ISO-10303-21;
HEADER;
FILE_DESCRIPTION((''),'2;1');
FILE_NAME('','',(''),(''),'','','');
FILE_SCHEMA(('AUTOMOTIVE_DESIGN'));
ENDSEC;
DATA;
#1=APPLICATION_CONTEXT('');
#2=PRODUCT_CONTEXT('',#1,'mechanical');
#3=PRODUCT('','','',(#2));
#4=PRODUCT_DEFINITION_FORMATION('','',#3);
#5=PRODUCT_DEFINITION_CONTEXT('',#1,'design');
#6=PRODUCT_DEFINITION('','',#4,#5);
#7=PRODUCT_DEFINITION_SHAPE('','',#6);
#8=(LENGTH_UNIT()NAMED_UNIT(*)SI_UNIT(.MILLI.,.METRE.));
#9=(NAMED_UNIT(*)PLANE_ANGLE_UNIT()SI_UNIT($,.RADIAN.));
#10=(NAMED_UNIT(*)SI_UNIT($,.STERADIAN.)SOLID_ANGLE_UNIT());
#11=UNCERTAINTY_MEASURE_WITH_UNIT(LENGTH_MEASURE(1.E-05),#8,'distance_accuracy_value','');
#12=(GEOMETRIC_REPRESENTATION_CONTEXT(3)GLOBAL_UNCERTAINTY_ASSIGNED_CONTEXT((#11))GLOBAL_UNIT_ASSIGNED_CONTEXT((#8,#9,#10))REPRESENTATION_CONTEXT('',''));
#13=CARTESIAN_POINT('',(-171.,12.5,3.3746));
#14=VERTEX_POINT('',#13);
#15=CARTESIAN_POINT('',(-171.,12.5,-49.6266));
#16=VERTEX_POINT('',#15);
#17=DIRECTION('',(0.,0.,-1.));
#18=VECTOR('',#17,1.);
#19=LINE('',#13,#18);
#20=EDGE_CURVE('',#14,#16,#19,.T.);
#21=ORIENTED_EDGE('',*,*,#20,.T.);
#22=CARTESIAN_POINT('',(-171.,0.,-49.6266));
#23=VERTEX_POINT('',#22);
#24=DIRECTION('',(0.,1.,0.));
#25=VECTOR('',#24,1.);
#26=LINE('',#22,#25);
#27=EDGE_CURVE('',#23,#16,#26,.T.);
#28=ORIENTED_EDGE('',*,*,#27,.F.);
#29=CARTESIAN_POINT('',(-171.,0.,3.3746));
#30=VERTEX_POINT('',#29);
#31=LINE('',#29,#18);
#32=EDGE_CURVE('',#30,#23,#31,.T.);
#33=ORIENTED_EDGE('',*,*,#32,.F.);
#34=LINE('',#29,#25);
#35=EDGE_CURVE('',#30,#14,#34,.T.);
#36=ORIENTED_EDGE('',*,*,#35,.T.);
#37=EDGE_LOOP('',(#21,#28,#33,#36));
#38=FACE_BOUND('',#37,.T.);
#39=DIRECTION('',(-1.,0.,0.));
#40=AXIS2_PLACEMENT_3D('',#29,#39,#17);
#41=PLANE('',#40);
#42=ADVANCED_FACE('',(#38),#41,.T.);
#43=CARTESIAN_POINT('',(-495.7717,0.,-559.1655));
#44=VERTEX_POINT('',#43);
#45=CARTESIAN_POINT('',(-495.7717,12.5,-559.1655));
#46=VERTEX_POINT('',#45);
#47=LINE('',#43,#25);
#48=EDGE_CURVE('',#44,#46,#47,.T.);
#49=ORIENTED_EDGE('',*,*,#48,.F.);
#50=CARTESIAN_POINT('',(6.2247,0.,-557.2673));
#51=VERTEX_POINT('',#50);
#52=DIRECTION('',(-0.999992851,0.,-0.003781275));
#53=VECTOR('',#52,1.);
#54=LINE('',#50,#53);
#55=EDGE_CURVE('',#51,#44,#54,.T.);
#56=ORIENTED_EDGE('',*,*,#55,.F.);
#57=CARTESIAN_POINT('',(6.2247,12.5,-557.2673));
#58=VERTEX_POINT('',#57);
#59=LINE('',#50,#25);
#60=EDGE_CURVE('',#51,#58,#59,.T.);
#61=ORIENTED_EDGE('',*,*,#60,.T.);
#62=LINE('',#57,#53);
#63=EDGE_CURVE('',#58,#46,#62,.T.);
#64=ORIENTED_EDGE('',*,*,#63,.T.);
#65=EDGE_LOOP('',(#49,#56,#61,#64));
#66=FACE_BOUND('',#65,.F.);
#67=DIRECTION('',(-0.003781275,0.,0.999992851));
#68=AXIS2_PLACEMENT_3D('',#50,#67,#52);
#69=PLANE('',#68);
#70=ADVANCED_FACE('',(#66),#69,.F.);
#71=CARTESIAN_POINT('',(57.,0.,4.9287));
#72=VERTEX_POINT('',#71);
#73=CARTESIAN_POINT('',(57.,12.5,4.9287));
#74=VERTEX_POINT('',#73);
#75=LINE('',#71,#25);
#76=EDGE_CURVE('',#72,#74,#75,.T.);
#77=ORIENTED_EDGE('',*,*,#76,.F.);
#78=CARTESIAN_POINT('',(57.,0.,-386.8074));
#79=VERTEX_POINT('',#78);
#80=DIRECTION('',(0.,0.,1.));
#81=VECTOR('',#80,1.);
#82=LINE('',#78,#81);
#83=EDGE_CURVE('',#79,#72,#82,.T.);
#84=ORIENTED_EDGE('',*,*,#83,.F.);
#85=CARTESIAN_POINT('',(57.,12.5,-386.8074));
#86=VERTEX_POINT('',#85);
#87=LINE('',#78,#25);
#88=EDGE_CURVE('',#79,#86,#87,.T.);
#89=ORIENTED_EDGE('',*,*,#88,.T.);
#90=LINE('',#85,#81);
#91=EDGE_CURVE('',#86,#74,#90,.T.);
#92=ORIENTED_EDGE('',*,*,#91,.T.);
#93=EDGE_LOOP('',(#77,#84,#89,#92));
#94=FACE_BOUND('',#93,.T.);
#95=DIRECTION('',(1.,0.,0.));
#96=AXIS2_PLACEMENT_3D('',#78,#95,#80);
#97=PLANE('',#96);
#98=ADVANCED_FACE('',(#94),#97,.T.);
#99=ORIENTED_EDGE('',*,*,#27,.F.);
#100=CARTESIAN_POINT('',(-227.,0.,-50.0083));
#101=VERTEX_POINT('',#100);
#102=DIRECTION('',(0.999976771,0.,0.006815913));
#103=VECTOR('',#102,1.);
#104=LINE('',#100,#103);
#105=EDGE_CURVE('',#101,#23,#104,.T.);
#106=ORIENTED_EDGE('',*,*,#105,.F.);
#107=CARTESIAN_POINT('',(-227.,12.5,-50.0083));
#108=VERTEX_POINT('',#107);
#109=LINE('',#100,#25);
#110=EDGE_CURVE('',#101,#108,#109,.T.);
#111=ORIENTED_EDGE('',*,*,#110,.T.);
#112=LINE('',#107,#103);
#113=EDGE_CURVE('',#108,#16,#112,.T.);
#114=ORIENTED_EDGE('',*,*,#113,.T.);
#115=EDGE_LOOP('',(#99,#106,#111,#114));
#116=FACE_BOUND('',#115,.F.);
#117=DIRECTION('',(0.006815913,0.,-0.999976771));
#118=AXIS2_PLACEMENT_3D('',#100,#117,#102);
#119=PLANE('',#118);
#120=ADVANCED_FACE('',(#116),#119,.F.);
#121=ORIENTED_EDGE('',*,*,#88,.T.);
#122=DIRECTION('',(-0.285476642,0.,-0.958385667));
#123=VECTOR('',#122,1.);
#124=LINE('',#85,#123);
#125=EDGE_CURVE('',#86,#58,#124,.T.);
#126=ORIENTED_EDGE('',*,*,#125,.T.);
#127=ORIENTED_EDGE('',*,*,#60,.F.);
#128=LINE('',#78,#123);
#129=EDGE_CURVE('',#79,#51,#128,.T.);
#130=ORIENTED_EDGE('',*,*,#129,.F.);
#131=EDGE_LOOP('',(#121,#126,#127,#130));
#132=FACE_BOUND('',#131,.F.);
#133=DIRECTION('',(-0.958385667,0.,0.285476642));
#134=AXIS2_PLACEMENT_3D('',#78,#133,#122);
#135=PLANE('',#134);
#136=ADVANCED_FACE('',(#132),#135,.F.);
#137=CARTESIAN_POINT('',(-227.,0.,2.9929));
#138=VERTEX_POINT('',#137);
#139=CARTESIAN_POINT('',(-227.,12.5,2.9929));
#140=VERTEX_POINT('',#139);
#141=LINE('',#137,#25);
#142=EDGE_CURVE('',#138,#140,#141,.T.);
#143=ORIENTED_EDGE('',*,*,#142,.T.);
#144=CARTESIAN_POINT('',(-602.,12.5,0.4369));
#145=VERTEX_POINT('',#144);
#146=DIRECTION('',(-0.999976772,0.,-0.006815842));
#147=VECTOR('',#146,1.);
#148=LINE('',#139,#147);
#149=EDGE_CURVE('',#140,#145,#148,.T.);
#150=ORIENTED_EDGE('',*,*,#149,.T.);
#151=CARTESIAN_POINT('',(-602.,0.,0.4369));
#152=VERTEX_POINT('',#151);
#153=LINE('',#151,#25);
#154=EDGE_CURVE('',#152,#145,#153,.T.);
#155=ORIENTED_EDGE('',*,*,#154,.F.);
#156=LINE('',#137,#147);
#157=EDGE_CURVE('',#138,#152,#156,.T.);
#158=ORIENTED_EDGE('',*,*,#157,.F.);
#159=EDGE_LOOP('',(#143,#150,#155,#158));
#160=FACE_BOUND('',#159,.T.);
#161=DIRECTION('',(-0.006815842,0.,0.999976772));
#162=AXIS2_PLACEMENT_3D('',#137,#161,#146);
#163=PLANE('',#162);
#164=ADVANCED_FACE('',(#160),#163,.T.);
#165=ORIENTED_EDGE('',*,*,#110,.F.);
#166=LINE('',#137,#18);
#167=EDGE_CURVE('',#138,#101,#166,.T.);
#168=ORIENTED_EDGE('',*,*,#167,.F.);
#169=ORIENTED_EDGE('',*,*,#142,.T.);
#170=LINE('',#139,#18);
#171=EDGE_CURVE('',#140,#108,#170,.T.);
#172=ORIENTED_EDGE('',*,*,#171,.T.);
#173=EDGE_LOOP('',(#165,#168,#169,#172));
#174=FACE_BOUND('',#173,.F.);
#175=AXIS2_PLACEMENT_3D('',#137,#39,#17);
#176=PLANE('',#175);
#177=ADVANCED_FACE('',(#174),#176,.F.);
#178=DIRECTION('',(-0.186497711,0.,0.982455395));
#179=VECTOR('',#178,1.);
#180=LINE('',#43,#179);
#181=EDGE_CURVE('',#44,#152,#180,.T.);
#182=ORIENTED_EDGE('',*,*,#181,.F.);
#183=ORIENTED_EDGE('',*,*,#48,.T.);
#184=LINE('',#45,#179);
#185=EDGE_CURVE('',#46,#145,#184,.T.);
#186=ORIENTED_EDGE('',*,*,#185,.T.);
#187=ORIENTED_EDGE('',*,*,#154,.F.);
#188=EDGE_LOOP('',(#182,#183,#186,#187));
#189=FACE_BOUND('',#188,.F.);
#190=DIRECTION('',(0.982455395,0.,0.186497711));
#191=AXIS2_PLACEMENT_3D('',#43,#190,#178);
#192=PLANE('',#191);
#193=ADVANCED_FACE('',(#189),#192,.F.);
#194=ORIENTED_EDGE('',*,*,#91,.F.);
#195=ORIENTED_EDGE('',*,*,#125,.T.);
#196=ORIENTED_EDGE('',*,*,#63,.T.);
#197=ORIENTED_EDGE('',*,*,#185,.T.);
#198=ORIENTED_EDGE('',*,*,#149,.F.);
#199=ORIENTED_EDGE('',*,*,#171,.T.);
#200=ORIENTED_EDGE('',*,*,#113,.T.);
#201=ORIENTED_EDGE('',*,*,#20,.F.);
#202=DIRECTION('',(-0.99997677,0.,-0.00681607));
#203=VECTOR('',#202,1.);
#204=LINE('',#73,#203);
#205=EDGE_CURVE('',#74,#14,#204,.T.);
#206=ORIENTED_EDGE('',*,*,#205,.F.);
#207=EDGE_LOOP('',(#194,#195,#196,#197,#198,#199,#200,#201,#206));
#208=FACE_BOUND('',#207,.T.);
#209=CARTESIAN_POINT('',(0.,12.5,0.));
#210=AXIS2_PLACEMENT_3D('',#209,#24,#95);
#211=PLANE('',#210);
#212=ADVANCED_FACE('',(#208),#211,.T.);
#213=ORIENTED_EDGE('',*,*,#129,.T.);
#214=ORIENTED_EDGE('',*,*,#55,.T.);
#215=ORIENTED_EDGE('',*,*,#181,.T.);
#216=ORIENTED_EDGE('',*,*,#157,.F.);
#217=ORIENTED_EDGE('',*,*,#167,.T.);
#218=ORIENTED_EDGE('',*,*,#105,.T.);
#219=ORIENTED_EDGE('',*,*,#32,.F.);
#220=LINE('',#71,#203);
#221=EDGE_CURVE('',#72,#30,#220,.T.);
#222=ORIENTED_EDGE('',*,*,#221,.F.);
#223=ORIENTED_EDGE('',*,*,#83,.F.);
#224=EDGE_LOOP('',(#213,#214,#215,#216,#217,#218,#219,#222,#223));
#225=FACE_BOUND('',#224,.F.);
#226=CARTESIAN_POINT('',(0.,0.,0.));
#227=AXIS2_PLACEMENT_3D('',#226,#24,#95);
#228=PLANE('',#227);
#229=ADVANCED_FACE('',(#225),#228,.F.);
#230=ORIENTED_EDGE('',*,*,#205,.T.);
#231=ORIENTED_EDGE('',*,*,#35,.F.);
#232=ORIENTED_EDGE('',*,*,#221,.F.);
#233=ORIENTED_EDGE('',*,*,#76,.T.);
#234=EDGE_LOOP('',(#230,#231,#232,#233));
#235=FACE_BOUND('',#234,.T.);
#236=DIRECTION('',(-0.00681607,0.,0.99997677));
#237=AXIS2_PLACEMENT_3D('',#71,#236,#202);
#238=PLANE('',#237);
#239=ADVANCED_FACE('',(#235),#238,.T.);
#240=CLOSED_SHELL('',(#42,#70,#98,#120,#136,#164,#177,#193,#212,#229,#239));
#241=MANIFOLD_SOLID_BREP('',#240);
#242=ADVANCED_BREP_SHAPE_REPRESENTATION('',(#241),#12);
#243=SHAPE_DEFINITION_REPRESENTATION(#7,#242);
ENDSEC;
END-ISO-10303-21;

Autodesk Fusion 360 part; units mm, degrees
sketch "Sketch1" plane through (0, 0, 0) normal (0, 1, 0) x (1, 0, 0)
  line L0 (-171, -3.3746) -> (-171, 49.6266)
  line L1 (-227, -2.9929) -> (-227, 50.0083)
  line L2 (-227, 50.0083) -> (-171, 49.6266)
  line L3 (6.2247, 557.2673) -> (-495.7717, 559.1655)
  line L4 (57, 386.8074) -> (57, -4.9287)
  line L5 (57, 386.8074) -> (6.2247, 557.2673)
  line L6 (-495.7717, 559.1655) -> (-602, -0.4369)
  line L7 (57, -4.9287) -> (-171, -3.3746)
  line L8 (-227, -2.9929) -> (-602, -0.4369)
  dimension "d9" = 502
  dimension "d13" = 659
  dimension "d14" = 562
  dimension "d15" = 560
  dimension "d18" = 228
  dimension "d19" = 284
  dimension "d23" = 53
extrude "Extrude1" add sketch "Sketch1" along normal blind 12.5
equation "d19 = 289.00 mm - 5 mm"
